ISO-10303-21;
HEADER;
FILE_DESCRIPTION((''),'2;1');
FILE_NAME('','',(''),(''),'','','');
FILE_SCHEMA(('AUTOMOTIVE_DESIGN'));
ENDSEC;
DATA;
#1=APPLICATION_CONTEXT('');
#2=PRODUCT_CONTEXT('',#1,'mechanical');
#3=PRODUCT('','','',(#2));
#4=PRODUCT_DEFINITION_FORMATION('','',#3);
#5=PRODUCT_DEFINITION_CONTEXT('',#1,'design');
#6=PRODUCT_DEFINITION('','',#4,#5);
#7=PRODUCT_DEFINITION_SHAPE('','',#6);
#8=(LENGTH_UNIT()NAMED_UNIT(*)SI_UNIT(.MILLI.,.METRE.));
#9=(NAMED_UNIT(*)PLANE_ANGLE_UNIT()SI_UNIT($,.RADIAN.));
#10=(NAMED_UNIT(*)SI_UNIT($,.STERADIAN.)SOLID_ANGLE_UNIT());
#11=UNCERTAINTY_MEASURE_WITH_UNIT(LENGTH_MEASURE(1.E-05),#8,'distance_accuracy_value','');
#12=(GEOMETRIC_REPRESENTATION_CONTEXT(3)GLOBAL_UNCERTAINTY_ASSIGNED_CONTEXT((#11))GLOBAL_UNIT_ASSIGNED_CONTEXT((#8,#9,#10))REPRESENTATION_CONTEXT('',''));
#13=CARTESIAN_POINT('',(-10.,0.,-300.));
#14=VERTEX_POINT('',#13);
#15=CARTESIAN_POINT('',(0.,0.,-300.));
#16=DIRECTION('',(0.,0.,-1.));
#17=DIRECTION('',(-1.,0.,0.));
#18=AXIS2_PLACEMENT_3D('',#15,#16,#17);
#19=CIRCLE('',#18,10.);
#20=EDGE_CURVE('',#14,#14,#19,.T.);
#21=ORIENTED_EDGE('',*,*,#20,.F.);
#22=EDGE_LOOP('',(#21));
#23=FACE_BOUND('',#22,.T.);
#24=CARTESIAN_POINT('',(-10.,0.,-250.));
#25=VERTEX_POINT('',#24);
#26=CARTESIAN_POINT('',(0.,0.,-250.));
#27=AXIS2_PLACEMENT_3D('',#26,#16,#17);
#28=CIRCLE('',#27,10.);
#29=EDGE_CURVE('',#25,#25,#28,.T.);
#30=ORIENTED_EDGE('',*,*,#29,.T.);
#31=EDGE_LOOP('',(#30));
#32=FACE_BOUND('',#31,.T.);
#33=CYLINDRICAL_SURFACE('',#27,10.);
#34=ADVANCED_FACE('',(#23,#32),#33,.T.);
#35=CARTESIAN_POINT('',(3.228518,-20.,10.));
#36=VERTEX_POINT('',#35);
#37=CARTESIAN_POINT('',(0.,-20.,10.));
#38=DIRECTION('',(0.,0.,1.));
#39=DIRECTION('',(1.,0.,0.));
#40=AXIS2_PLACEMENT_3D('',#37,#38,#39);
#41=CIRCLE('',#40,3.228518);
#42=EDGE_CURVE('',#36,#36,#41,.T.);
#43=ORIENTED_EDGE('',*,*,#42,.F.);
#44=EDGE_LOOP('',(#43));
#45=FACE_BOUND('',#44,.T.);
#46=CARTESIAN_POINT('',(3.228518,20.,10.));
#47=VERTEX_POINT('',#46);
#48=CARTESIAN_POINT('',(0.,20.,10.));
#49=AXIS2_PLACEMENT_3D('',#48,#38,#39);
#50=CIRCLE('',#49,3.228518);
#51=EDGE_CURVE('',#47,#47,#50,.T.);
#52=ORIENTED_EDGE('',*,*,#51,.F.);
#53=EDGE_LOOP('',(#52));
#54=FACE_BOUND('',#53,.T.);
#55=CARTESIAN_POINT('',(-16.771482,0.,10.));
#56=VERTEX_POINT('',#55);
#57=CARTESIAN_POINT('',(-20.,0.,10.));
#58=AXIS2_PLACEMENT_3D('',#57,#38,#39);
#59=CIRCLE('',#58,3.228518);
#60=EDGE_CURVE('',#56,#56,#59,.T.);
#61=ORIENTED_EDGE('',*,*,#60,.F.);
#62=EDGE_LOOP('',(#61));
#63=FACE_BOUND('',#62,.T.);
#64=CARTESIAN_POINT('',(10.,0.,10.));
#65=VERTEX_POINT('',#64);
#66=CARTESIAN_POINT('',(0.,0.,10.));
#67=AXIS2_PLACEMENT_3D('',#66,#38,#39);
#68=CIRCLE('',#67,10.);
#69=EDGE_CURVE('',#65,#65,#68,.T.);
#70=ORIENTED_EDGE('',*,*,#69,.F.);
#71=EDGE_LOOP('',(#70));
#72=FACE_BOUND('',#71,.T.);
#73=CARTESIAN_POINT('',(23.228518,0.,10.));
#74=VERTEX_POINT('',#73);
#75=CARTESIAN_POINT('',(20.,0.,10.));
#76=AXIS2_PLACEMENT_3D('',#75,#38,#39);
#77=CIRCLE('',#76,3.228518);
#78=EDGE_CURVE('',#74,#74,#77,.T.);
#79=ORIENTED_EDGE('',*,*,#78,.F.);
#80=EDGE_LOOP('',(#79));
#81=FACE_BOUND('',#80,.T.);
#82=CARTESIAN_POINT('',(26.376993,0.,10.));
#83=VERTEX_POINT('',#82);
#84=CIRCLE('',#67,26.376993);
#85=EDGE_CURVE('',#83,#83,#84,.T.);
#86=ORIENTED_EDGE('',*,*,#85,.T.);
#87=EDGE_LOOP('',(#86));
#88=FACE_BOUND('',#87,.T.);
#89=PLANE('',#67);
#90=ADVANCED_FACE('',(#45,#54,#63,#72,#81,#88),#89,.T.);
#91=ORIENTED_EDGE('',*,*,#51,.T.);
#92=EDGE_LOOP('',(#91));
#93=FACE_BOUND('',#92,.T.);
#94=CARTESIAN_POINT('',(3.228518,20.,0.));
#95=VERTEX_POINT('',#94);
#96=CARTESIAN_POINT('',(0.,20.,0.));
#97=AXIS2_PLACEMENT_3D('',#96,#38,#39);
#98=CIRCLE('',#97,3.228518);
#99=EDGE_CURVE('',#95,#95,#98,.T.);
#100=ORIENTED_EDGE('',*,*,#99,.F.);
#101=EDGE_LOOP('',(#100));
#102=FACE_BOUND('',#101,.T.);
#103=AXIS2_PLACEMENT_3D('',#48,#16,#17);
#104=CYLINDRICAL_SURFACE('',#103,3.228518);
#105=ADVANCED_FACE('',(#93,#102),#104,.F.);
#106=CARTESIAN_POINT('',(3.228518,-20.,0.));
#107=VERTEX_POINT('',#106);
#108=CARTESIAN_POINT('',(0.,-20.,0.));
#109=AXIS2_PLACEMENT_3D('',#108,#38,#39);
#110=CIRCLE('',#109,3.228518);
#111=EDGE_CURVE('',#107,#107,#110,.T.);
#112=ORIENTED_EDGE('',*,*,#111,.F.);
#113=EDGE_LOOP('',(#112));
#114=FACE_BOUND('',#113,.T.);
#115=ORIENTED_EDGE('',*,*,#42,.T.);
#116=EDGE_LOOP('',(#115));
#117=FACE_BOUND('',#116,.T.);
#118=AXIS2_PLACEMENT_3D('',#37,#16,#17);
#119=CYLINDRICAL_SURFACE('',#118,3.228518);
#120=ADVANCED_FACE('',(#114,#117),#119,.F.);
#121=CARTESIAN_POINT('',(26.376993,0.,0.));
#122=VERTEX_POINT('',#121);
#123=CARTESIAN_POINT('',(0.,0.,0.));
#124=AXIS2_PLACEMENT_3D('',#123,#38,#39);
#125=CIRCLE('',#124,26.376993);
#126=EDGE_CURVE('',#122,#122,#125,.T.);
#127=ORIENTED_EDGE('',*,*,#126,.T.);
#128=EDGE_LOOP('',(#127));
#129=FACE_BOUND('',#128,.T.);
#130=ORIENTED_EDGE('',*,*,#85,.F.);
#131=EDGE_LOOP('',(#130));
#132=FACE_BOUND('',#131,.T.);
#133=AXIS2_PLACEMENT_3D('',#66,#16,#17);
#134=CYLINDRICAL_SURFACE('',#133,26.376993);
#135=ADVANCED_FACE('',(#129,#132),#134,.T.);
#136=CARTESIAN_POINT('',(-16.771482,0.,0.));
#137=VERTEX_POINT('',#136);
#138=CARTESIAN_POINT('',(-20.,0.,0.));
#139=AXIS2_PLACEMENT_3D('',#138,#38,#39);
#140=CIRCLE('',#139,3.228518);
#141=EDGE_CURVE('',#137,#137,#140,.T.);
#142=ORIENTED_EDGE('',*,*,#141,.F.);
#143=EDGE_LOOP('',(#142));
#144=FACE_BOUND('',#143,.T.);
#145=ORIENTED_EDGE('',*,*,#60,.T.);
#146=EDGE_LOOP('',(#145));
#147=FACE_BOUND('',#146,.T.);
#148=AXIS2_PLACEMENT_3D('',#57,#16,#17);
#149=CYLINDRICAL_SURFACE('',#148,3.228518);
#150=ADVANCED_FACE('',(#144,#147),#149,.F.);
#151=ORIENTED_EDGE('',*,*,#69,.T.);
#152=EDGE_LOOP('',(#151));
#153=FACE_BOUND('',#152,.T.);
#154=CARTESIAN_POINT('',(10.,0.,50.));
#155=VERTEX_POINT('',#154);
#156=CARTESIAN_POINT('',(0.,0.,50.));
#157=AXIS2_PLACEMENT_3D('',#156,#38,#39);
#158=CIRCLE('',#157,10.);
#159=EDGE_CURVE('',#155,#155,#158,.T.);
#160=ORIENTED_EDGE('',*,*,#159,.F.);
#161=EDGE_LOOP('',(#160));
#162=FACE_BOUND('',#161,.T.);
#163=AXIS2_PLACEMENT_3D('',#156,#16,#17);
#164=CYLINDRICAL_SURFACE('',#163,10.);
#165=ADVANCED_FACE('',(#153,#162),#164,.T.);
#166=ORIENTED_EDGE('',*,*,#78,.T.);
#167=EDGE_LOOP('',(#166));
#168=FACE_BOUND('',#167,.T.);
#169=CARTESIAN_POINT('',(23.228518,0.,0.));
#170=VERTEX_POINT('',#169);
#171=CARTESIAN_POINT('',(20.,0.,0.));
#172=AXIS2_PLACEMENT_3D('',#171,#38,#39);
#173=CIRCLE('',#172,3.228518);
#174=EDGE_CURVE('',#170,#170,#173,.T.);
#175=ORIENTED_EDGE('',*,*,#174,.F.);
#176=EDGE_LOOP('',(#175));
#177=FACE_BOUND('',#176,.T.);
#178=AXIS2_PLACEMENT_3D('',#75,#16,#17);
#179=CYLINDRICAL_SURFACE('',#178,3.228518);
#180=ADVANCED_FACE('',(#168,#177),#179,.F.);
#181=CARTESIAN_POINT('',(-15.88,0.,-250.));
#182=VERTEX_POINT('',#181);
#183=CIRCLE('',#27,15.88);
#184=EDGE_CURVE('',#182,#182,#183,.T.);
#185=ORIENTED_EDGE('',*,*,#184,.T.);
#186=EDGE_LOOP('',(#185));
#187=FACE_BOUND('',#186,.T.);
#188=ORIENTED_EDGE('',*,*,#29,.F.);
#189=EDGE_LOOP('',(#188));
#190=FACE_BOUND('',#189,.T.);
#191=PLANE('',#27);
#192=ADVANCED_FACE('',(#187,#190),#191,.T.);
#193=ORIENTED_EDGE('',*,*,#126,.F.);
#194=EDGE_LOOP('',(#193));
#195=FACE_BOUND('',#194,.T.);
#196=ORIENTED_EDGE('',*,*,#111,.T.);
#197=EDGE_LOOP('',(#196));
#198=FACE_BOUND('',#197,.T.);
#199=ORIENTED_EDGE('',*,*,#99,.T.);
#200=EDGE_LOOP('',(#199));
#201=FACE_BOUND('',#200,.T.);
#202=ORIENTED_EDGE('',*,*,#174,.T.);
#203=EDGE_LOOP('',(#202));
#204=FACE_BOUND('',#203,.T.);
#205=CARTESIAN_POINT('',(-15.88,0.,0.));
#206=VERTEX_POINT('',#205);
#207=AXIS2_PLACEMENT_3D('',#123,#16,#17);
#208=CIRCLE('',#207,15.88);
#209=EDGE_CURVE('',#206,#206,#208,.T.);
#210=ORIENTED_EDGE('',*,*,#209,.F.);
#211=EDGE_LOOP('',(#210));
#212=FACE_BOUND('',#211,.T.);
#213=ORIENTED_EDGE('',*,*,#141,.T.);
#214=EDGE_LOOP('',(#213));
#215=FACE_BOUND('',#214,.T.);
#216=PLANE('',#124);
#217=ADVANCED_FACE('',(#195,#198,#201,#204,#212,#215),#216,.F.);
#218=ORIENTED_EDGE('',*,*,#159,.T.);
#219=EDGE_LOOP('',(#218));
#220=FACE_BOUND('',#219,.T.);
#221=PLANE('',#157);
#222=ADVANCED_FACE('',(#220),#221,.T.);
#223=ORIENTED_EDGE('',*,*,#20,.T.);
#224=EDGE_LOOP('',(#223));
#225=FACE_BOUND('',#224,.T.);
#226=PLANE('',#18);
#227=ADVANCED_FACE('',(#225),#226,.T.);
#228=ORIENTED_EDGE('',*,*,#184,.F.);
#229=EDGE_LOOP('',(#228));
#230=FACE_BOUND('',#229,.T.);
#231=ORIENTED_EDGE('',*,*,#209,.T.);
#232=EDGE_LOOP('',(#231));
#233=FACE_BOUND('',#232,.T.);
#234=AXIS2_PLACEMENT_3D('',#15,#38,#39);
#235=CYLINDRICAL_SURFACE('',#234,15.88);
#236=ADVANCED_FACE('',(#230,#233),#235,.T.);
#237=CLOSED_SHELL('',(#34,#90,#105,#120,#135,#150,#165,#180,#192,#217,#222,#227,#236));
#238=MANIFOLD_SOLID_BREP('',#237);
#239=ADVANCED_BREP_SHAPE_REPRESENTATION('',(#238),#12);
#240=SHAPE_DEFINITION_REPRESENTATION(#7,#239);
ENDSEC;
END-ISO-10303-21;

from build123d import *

# Parameters (mm, degrees)
SZKIC1_R                    = 26.376993093
SZKIC1_R_2                  = 3.228518126
DODANIE_WYCI_GNI_CIE1_DEPTH = 10
SZKIC2_R                    = 10
DODANIE_WYCI_GNI_CIE2_DEPTH = 40
SZKIC3_R                    = 15.88
DODANIE_WYCI_GNI_CIE3_DEPTH = 300
SZKIC4_R                    = 15.88
SZKIC4_R_2                  = 10
WYTNIJ_WYCI_GNI_CIE1_DEPTH  = 50


with BuildPart() as part:
    # Szkic1 → Dodanie-wyciągnięcie1 (new body)
    with BuildSketch(Plane.XY):
        Circle(SZKIC1_R)
        with Locations((0, 20)):
            Circle(SZKIC1_R_2, mode=Mode.SUBTRACT)
        with Locations((20, 0)):
            Circle(SZKIC1_R_2, mode=Mode.SUBTRACT)
        with Locations((0, -20)):
            Circle(SZKIC1_R_2, mode=Mode.SUBTRACT)
        with Locations((-20, 0)):
            Circle(SZKIC1_R_2, mode=Mode.SUBTRACT)
    extrude(amount=DODANIE_WYCI_GNI_CIE1_DEPTH)

    # Szkic2 → Dodanie-wyciągnięcie2 (add)
    with BuildSketch(Plane.XY.offset(10)):
        Circle(SZKIC2_R)
    extrude(amount=DODANIE_WYCI_GNI_CIE2_DEPTH)

    # Szkic3 → Dodanie-wyciągnięcie3 (add)
    with BuildSketch(Plane(origin=(0, 0, 0), x_dir=(-1, 0, 0), z_dir=(0, 0, -1))):
        Circle(SZKIC3_R)
    extrude(amount=DODANIE_WYCI_GNI_CIE3_DEPTH)

    # Szkic4 → Wytnij-wyciągnięcie1 (cut)
    with BuildSketch(Plane(origin=(0, 0, -300), x_dir=(-1, 0, 0), z_dir=(0, 0, -1))):
        Circle(SZKIC4_R)
        with Locations(Location((0, 0, 0), (0, 0, 180))):
            Circle(SZKIC4_R_2, mode=Mode.SUBTRACT)
    extrude(amount=-WYTNIJ_WYCI_GNI_CIE1_DEPTH, mode=Mode.SUBTRACT)


solid = part.part
